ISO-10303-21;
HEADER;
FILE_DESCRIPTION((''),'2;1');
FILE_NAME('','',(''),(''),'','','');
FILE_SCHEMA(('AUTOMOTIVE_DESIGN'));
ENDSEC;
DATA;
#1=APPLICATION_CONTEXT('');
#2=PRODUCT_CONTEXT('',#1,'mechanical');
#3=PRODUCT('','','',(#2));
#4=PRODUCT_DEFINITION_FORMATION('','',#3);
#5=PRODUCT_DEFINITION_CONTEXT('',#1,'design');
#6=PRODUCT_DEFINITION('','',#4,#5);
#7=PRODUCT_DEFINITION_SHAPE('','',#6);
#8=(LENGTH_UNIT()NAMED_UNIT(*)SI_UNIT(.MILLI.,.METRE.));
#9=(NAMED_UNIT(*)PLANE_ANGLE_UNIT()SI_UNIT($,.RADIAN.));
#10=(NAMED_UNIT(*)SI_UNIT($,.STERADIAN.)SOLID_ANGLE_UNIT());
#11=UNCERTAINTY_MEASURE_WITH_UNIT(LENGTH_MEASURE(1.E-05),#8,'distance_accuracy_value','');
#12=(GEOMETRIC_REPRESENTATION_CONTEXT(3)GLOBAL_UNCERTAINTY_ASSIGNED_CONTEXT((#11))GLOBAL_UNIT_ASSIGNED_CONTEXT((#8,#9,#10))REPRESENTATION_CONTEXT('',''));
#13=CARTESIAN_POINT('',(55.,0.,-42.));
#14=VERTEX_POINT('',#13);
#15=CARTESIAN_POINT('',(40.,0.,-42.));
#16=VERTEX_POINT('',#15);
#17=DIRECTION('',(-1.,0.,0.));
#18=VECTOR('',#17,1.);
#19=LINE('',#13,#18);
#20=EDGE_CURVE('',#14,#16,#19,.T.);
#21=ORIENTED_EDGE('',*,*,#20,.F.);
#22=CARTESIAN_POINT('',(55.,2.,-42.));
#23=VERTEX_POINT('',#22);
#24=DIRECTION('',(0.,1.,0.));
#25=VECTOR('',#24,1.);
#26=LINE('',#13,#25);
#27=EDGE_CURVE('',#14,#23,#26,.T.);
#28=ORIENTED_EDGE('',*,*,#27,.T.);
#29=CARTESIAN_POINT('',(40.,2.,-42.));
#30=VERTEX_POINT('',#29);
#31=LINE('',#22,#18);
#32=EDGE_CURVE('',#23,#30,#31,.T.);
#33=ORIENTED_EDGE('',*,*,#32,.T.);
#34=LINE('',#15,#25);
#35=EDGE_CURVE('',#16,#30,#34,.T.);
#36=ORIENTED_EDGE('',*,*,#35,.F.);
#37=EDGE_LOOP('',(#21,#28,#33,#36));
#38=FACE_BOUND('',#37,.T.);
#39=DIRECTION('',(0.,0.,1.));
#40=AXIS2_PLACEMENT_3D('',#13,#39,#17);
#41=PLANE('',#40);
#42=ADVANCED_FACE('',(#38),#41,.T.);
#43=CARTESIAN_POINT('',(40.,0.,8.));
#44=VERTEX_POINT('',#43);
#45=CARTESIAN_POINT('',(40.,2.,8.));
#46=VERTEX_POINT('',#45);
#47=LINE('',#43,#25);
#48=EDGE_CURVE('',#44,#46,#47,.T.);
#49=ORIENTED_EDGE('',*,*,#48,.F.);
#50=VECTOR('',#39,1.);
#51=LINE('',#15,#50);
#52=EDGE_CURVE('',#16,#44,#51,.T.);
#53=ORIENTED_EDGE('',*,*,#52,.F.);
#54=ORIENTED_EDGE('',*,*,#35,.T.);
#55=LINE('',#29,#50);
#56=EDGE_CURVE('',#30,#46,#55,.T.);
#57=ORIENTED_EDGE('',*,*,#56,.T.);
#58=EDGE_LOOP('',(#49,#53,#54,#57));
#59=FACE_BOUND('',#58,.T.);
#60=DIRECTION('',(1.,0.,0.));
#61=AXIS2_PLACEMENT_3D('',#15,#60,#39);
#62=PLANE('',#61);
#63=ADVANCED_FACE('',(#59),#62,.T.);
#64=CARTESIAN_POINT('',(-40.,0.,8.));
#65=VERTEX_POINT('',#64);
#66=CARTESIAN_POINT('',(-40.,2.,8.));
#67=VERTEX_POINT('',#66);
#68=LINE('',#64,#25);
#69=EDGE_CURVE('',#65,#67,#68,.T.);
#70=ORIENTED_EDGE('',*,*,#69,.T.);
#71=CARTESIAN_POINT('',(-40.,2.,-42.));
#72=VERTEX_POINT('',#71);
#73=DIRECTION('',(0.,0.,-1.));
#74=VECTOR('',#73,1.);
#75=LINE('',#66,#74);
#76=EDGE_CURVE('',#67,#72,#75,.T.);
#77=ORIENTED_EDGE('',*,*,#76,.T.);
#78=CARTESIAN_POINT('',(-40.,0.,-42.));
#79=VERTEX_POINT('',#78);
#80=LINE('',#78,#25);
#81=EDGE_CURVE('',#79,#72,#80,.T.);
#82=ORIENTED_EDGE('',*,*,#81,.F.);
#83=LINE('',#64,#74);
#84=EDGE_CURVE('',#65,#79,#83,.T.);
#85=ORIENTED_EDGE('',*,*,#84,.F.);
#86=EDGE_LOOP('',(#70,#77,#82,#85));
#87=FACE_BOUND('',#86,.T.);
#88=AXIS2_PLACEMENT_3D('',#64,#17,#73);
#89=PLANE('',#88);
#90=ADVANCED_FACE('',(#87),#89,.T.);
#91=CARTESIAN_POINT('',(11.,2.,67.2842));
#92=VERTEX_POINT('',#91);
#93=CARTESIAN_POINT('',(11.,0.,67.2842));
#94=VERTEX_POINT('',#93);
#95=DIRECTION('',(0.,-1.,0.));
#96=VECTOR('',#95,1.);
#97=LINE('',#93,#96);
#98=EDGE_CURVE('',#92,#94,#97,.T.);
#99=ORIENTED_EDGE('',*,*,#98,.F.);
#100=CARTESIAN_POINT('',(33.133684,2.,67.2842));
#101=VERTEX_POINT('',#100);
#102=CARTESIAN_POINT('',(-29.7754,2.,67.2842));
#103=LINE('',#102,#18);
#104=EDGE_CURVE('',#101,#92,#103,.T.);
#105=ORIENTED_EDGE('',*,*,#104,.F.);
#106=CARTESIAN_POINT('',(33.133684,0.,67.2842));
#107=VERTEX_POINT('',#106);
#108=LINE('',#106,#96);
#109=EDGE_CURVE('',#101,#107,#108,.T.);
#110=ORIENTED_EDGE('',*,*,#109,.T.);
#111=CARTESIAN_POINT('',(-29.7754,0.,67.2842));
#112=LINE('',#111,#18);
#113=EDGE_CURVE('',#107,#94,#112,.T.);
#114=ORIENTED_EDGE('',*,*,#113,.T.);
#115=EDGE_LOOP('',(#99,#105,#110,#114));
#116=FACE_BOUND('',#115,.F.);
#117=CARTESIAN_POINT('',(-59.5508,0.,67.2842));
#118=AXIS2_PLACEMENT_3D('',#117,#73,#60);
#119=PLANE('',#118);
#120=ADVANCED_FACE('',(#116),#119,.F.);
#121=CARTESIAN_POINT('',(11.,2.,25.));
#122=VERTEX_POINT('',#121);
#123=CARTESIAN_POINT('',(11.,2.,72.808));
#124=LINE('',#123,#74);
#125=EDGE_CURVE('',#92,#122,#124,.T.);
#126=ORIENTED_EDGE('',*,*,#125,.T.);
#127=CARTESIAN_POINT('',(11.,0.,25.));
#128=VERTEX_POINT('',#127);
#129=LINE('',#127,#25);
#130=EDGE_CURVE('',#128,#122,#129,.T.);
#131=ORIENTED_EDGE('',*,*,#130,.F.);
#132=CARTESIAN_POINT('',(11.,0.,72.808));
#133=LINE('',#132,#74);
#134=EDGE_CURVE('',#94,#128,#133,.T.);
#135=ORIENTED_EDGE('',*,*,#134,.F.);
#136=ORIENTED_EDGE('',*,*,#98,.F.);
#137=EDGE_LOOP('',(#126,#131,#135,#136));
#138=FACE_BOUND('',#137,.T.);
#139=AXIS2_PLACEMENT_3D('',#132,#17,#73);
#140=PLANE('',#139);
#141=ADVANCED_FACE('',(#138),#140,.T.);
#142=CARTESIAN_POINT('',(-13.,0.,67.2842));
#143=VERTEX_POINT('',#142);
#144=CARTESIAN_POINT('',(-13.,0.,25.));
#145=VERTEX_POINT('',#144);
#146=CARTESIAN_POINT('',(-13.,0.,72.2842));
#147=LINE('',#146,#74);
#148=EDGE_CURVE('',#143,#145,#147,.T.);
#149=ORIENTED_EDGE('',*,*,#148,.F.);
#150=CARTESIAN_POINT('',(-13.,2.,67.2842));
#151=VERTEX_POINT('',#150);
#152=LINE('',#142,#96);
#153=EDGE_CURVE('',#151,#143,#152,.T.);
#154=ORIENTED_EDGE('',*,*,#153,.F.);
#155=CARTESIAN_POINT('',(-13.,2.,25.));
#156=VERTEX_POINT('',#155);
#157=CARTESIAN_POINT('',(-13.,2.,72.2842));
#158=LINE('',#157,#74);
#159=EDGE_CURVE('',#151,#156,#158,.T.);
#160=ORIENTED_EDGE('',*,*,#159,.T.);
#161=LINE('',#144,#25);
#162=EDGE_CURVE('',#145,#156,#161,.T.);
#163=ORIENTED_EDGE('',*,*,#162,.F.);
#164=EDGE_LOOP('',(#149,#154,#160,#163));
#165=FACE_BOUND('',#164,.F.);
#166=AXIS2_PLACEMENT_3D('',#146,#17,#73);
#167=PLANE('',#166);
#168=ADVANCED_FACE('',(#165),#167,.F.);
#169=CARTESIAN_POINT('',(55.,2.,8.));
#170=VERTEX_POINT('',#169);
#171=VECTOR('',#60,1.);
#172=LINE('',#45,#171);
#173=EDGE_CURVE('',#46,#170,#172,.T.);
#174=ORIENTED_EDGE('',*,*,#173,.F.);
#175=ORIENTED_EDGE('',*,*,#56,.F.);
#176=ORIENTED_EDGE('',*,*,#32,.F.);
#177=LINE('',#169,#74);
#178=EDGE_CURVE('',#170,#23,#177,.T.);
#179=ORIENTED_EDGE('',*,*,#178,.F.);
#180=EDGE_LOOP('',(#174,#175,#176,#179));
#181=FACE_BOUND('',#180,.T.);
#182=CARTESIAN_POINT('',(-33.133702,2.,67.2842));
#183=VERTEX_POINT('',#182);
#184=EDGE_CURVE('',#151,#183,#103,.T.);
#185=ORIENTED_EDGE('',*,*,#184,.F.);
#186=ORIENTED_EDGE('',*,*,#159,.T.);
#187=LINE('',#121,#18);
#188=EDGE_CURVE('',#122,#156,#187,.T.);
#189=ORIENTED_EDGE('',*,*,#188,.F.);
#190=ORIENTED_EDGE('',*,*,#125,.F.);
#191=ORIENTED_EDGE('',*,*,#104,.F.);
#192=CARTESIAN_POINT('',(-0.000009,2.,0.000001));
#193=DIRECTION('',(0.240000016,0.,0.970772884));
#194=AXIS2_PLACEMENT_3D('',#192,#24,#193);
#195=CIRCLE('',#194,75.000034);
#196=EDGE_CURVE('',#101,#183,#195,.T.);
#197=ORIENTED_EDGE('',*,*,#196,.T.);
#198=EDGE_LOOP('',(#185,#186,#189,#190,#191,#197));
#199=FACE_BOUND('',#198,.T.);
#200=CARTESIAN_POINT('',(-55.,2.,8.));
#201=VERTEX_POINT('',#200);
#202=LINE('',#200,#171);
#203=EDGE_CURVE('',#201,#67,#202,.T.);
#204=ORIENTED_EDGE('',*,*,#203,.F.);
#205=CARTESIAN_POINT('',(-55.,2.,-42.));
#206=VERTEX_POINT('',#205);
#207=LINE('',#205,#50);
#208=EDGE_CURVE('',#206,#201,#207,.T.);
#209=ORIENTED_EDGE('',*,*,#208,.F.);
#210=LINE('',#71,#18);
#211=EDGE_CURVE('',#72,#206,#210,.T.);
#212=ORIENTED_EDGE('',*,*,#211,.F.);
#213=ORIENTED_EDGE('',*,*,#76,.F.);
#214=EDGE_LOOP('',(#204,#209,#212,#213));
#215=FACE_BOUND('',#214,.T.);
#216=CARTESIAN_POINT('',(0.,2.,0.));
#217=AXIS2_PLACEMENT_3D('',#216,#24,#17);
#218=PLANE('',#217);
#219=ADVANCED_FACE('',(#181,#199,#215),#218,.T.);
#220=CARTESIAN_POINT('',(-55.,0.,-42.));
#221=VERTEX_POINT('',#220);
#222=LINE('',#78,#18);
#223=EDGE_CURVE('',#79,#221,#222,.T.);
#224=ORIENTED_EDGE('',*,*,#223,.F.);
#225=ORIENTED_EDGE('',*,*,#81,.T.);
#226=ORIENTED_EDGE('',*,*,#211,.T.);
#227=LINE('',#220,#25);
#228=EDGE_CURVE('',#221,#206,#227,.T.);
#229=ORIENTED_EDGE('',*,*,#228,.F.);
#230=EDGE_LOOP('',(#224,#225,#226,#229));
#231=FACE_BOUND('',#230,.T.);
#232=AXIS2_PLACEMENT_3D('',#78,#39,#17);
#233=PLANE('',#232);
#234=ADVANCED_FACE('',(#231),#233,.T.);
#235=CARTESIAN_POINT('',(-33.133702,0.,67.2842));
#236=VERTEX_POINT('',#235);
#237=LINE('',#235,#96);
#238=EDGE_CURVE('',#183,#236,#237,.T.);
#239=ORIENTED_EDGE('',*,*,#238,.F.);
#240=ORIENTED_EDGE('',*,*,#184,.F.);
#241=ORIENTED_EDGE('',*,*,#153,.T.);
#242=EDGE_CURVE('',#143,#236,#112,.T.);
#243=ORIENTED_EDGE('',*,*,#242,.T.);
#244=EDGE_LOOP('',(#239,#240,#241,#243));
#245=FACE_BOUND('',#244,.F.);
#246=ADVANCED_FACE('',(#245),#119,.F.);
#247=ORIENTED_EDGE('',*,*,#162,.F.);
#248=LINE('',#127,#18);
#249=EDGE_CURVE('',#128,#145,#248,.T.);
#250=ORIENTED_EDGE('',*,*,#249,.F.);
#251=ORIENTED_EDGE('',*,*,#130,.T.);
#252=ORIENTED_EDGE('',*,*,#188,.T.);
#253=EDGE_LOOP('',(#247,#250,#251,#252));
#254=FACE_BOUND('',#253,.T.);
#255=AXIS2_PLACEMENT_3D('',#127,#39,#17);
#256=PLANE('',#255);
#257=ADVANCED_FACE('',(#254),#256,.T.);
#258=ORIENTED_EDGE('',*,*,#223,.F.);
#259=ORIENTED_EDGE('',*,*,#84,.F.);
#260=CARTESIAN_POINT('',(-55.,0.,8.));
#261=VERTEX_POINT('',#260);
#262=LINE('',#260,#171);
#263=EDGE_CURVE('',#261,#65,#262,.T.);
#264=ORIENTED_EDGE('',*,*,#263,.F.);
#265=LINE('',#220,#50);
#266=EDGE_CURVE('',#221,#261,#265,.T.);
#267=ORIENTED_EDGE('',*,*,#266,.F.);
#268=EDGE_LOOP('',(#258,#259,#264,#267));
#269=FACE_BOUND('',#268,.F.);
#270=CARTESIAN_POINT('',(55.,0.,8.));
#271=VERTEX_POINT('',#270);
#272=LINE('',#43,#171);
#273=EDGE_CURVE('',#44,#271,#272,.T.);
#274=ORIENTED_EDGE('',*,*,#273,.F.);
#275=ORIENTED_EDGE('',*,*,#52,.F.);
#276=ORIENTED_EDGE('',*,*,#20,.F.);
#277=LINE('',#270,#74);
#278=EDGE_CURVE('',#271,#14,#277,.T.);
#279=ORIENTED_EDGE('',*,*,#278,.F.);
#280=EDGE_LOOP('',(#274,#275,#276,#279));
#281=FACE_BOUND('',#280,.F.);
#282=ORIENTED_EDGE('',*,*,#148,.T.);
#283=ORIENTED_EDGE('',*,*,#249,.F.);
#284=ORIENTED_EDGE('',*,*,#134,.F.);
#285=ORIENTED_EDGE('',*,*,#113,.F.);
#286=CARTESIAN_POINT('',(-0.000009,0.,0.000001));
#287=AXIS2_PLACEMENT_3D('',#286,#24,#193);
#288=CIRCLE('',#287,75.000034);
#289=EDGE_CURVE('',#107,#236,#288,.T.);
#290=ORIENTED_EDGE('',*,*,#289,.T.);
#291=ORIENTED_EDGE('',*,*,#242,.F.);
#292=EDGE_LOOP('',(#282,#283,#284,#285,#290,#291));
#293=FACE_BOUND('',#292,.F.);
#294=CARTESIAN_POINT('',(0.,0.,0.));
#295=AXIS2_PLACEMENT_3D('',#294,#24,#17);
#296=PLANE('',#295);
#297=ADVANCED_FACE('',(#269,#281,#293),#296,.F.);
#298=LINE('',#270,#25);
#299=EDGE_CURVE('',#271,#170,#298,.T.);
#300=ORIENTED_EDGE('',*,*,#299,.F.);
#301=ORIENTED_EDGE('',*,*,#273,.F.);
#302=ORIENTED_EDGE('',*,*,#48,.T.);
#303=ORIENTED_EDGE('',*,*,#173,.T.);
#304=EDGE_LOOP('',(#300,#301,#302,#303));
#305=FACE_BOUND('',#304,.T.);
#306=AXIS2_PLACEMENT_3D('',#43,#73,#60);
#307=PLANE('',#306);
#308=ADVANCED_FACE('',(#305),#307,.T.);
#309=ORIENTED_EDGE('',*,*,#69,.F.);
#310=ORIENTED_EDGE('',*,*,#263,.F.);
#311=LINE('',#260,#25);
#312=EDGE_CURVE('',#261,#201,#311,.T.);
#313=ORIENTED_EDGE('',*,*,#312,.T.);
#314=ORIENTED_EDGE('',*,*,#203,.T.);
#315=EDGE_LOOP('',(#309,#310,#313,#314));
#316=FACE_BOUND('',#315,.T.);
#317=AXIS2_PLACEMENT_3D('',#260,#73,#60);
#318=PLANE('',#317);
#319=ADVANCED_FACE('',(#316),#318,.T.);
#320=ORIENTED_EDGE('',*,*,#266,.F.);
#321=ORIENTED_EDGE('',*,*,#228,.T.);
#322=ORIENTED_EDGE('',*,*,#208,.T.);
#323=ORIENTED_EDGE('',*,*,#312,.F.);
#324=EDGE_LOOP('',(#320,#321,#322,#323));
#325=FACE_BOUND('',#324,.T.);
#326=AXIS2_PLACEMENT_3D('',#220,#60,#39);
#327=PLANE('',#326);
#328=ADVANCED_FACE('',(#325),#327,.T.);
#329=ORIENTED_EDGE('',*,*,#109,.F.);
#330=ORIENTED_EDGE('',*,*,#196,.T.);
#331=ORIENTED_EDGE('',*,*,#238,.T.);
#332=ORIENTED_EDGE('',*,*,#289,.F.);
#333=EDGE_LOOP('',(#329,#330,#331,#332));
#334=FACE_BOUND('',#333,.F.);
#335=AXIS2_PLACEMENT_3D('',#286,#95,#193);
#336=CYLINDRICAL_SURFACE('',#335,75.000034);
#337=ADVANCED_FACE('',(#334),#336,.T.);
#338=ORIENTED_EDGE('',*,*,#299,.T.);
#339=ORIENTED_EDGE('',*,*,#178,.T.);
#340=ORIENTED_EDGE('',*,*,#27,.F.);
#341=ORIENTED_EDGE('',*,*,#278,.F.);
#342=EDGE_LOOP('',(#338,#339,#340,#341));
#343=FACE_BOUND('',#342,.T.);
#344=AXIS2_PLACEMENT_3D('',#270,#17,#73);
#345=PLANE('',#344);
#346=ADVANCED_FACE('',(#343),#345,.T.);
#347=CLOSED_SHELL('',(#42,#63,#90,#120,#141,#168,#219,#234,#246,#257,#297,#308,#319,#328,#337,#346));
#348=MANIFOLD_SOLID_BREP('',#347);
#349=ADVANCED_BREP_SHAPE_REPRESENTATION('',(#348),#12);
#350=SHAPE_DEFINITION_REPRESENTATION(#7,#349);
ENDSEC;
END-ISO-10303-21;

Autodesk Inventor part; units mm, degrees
ref_plane "YZ Plane" through (0, 0, 0) normal (1, 0, 0) x (0, 1, 0)
ref_plane "XZ Plane" through (0, 0, 0) normal (0, 1, 0) x (-1, 0, 0)
ref_plane "XY Plane" through (0, 0, 0) normal (0, 0, 1) x (1, 0, 0)
sketch "Boceto1" plane through (0, 0, 0) normal (0, 1, 0) x (-1, 0, 0)
  arc A0 (-18, 72.808) -> (20, 72.2842) centre (0, 0) ccw
  line L0 (-18, 72.808) -> (-18, 72.2842)
  line L1 (-11, 25) -> (13, 25)
  line L2 (55, 8) -> (40, 8)
  line L3 (40, 8) -> (40, -42)
  line L4 (40, -42) -> (55, -42)
  line L5 (55, -42) -> (55, 8)
  line L6 (-40, 8) -> (-55, 8)
  line L7 (-55, 8) -> (-55, -42)
  line L8 (-55, -42) -> (-40, -42)
  line L9 (-40, -42) -> (-40, 8)
  line L10 (20, 72.2842) -> (13, 72.2842)
  line L11 (13, 72.2842) -> (13, 25)
  line L12 (-18, 72.808) -> (-11, 72.808)
  line L13 (-11, 72.808) -> (-11, 25)
  line L14 (-18, 72.2842) -> (-18, 72.808)
  dimension "d0" = 150
  dimension "d2" = 18
  dimension "d3" = 25
  dimension "d4" = 15
  dimension "d5" = 50
  dimension "d6" = 15
  dimension "d7" = 50
  dimension "d8" = 40
  dimension "d9" = 40
  dimension "d63" = 8
  dimension "d64" = 8
extrude "Extrusión1" add sketch "Boceto1" along normal blind 2
sketch "Boceto8" plane through (0, 0, 0) normal (0, 1, 0) x (-1, 0, 0)
  line L0 (59.5508, 67.2842) -> (-59.748, 67.2842)
  line L1 (-59.748, 67.2842) -> (-59.748, 82.2842)
  line L2 (-59.748, 82.2842) -> (59.5508, 82.2842)
  line L3 (59.5508, 82.2842) -> (59.5508, 67.2842)
  line L4 (13, 72.2842) -> (20, 72.2842) projected
  point P0 (0, 0)
  dimension "d67" = 15
  dimension "d71" = 5
extrude "Extrusión8" cut sketch "Boceto8" along normal mid plane 70
properties part number "Cuerpo" material "Polímero reforzado con fibra de carbono"
